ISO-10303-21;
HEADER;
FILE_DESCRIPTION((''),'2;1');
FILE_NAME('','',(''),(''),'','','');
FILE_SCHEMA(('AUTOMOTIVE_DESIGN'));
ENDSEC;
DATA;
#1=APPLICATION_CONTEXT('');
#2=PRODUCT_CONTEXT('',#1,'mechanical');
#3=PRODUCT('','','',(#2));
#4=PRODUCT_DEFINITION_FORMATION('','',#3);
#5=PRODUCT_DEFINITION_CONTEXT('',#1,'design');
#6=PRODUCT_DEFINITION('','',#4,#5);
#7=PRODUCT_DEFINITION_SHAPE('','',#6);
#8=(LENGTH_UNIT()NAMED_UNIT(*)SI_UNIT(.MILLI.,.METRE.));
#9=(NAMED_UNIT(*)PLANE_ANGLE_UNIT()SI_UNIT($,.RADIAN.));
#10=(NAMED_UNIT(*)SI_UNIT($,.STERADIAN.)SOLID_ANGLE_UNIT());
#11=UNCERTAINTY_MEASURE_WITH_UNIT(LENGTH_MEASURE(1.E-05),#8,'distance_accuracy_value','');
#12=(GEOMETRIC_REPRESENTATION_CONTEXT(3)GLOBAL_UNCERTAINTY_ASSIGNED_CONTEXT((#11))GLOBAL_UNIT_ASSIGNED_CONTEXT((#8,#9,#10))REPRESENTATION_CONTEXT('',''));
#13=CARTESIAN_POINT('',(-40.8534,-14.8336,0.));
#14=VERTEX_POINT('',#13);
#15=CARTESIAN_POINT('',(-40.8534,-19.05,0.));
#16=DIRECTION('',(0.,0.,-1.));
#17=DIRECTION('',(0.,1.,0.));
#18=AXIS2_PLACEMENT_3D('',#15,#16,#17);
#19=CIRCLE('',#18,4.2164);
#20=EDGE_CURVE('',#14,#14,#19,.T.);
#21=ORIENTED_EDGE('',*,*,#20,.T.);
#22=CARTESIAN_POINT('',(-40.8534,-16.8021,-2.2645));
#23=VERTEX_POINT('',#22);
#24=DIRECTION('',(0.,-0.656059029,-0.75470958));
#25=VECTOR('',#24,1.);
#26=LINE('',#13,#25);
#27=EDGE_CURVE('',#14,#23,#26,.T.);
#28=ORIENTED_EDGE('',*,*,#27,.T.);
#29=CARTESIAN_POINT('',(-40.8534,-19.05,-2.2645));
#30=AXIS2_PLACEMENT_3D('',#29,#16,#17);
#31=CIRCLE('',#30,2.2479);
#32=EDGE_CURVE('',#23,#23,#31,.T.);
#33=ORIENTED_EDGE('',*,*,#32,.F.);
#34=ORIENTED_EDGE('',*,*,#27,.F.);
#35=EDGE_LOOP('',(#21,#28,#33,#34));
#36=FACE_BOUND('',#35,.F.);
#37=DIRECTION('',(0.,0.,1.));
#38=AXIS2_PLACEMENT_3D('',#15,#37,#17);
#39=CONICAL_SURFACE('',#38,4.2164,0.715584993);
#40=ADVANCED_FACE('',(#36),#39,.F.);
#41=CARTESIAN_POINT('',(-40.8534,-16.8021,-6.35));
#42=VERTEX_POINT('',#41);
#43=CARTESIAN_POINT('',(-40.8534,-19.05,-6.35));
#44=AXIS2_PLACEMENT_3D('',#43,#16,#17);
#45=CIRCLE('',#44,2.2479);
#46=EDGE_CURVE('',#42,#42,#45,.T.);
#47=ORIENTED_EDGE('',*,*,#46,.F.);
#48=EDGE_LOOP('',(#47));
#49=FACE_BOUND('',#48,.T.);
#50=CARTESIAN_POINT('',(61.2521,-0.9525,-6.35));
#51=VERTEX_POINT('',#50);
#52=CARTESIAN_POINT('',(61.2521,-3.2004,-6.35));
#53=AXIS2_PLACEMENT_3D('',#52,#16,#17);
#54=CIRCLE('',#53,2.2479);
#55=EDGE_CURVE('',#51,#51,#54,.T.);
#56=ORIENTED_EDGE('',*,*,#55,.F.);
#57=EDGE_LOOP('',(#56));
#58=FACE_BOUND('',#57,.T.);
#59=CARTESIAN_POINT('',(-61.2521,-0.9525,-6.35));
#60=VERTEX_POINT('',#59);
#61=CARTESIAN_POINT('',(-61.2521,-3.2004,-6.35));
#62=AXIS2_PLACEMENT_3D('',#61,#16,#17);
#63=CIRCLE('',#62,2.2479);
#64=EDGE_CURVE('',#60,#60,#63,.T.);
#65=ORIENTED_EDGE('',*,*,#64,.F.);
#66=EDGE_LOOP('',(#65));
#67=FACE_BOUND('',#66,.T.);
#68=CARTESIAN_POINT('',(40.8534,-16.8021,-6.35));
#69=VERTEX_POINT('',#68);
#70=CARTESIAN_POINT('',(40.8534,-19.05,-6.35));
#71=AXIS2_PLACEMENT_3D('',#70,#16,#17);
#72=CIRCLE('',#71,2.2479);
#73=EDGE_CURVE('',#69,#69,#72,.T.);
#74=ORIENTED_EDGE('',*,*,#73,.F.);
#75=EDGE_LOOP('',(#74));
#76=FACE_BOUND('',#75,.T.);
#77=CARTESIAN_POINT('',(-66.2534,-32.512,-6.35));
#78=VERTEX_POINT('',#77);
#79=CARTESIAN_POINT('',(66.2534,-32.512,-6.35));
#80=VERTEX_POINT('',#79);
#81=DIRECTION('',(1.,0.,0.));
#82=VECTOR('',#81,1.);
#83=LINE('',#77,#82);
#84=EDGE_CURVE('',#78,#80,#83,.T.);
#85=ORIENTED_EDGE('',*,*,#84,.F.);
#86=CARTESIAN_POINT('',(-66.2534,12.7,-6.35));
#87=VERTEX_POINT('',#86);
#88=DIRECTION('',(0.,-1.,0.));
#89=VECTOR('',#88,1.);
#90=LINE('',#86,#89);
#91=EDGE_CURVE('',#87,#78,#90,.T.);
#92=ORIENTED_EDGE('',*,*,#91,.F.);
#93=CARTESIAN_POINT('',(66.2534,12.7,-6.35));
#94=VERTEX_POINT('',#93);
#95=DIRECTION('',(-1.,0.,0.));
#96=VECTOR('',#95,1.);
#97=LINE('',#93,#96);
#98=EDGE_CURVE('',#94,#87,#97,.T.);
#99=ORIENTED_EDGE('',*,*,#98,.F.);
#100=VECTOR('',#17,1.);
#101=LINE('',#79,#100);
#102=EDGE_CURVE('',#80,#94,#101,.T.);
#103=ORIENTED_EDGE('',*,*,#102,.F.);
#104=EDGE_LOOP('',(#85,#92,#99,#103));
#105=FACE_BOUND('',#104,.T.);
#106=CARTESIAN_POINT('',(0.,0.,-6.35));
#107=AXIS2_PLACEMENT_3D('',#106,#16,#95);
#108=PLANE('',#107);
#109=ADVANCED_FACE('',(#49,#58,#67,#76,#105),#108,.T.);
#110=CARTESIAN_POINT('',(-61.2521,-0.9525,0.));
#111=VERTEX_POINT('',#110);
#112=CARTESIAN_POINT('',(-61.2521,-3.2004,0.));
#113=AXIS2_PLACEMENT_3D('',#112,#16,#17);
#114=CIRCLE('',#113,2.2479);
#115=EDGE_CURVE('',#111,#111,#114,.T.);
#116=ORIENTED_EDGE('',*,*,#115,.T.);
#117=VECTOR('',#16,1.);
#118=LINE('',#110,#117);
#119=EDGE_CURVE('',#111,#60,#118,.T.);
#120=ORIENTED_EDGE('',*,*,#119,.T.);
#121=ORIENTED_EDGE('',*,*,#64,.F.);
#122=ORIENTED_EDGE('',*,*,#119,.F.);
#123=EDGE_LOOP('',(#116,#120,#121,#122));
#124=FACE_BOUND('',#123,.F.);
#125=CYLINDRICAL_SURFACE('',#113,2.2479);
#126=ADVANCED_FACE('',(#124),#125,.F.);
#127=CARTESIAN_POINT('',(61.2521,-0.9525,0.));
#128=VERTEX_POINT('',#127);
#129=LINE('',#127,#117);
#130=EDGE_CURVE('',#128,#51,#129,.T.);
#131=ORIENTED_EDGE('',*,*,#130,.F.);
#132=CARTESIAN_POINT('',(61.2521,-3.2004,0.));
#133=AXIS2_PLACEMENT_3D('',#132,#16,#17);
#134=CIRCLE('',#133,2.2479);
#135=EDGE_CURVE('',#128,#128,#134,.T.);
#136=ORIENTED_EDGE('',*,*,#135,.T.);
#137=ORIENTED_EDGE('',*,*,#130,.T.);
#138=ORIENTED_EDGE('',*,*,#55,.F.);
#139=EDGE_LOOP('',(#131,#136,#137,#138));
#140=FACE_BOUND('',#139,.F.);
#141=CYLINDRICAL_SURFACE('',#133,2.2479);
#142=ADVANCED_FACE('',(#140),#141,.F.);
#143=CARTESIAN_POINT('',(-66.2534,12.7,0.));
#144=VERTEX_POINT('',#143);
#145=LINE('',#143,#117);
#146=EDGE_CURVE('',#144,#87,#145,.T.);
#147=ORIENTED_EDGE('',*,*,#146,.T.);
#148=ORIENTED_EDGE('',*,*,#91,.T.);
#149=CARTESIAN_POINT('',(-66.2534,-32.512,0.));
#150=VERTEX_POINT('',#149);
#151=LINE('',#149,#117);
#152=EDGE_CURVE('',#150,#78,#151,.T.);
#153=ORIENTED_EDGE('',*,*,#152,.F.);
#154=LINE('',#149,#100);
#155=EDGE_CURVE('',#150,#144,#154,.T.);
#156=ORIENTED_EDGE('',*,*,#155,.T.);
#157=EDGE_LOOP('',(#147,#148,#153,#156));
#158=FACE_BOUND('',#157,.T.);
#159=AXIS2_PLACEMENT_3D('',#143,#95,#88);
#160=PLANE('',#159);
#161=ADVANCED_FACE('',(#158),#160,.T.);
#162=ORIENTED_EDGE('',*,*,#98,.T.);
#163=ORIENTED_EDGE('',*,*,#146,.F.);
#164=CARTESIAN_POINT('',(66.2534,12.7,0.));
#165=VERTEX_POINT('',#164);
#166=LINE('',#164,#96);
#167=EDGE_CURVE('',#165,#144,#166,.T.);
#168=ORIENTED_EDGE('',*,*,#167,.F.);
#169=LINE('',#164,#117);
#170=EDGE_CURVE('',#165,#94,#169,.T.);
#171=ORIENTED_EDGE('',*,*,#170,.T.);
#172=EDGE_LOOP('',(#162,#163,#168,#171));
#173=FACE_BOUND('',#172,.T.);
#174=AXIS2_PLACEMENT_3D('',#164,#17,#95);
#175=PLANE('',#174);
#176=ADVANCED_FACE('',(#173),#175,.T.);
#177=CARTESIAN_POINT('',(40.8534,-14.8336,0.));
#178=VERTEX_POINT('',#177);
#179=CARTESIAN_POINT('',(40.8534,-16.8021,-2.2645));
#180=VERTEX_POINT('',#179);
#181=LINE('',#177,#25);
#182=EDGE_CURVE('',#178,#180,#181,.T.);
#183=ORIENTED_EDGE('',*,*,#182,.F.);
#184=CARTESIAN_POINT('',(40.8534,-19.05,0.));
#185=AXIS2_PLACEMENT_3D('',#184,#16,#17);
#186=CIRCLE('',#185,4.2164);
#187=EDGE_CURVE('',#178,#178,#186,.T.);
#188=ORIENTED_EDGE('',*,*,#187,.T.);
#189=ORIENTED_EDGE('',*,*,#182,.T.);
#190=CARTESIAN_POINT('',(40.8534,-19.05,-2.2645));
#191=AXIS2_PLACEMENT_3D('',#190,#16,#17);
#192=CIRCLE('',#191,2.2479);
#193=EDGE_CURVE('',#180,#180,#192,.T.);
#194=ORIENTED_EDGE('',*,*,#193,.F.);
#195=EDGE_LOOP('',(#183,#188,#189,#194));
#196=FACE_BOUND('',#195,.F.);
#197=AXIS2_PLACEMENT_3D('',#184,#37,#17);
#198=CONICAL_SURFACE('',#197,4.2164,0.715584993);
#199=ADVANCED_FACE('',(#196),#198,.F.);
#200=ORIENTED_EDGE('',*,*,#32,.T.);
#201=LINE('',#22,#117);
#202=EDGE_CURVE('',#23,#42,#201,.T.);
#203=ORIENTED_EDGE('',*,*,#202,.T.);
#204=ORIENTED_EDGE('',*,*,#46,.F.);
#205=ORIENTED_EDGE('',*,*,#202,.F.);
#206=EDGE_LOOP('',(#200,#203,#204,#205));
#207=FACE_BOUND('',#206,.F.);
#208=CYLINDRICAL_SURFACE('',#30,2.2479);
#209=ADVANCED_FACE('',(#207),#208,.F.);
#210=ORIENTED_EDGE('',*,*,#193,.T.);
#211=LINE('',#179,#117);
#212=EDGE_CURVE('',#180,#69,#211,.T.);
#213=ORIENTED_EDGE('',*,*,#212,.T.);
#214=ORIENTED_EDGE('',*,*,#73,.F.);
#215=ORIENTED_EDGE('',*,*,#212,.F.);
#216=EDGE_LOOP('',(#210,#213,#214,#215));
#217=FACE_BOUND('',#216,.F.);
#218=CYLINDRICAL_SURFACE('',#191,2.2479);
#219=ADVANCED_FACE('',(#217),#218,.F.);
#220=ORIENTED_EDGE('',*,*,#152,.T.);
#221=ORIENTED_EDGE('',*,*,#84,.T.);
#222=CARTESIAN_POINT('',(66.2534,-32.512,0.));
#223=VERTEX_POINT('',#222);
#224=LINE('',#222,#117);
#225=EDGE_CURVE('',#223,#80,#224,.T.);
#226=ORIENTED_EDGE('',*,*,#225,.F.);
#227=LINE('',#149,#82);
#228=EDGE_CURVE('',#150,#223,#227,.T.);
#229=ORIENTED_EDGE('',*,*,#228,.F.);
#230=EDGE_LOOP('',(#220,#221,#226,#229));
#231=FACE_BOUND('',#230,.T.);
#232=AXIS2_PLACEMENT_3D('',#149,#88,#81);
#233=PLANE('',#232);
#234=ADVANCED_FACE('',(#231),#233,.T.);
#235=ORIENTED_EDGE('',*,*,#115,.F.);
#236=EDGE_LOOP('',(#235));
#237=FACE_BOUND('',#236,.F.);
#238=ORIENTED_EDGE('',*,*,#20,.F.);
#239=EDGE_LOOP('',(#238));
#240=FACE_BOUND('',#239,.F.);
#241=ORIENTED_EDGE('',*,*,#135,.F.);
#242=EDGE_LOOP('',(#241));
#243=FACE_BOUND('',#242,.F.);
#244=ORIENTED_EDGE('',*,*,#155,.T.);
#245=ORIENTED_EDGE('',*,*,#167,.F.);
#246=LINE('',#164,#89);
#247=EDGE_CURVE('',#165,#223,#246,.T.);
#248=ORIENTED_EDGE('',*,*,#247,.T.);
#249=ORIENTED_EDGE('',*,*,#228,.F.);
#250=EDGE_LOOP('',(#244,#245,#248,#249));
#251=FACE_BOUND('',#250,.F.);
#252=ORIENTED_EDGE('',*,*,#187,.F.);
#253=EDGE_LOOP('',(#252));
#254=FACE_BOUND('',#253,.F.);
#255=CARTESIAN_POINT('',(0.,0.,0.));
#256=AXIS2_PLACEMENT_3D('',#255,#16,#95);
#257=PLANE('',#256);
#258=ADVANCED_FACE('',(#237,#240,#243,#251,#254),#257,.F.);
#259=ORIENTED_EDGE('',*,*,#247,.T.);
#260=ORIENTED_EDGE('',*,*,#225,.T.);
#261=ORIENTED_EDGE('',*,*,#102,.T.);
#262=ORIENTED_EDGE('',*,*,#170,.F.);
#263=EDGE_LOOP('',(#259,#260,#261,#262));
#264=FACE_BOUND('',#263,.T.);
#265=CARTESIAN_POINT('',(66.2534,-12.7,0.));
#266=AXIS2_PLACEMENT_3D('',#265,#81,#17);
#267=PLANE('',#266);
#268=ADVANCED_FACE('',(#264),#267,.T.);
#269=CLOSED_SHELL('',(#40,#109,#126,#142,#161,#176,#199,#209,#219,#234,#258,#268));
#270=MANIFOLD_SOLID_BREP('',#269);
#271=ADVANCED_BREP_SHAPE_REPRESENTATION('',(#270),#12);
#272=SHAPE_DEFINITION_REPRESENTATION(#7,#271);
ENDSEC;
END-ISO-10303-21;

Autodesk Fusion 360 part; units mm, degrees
sketch "Sketch2" plane through (0, 0, 0) normal (0, 0, 1) x (1, 0, 0)
  line L0 (-66.2534, 12.7) -> (66.2534, 12.7)
  line L1 (66.2534, 12.7) -> (66.2534, -12.7)
  line L2 (66.2534, -12.7) -> (-66.2534, -12.7)
  line L3 (-66.2534, -12.7) -> (-66.2534, 12.7)
  line L4 (-66.2534, 0) -> (66.2534, 0) construction
  line L5 (0, 12.7) -> (0, -12.7) construction
  line L6 (-66.2534, -12.7) -> (66.2534, -12.7)
  line L7 (66.2534, -12.7) -> (66.2534, -32.512)
  line L8 (66.2534, -32.512) -> (-66.2534, -32.512)
  line L9 (-66.2534, -32.512) -> (-66.2534, -12.7)
  point P0 (-61.2521, 0)
  point P1 (61.2521, 0)
  point P2 (-40.8534, -19.05)
  point P3 (-61.2521, -3.2004)
  point P4 (61.2521, -3.2004)
  point P5 (40.8534, -19.05)
  dimension "d2" = 25.4
  dimension "d3" = 122.5042
  dimension "d4" = 132.5067
  dimension "d18" = 3.2004
  dimension "d19" = 25.4
  dimension "d22" = 19.05
  dimension "d23" = 19.812
extrude "Extrude1" add sketch "Sketch2" along normal blind 6.35
hole "Hole1" at (-61.2521, -3.2004, 0) at (61.2521, -3.2004, 0) direction (0, 0, 1) diameter 4.4958 end through all
hole "Hole2" at (-40.8534, -19.05, 0) at (40.8534, -19.05, 0) direction (0, 0, 1) diameter 4.4958 depth 7.62 tip angle 118 countersink diameter 8.4328 countersink angle 82
move_body "Move1" bodies 1 to x (-1, 0, 0) y (0, 1, 0) z (0, 0, -1) at (0, 0, 0)
equation "d3 = tiptop_spacing"
equation "d4 = 5.125 in + ( ( 0.0459 * 2 ) * 1 in )"
equation "synthrotek_spacing = 4.741 in"
equation "tiptop_spacing = 4.823 in"
